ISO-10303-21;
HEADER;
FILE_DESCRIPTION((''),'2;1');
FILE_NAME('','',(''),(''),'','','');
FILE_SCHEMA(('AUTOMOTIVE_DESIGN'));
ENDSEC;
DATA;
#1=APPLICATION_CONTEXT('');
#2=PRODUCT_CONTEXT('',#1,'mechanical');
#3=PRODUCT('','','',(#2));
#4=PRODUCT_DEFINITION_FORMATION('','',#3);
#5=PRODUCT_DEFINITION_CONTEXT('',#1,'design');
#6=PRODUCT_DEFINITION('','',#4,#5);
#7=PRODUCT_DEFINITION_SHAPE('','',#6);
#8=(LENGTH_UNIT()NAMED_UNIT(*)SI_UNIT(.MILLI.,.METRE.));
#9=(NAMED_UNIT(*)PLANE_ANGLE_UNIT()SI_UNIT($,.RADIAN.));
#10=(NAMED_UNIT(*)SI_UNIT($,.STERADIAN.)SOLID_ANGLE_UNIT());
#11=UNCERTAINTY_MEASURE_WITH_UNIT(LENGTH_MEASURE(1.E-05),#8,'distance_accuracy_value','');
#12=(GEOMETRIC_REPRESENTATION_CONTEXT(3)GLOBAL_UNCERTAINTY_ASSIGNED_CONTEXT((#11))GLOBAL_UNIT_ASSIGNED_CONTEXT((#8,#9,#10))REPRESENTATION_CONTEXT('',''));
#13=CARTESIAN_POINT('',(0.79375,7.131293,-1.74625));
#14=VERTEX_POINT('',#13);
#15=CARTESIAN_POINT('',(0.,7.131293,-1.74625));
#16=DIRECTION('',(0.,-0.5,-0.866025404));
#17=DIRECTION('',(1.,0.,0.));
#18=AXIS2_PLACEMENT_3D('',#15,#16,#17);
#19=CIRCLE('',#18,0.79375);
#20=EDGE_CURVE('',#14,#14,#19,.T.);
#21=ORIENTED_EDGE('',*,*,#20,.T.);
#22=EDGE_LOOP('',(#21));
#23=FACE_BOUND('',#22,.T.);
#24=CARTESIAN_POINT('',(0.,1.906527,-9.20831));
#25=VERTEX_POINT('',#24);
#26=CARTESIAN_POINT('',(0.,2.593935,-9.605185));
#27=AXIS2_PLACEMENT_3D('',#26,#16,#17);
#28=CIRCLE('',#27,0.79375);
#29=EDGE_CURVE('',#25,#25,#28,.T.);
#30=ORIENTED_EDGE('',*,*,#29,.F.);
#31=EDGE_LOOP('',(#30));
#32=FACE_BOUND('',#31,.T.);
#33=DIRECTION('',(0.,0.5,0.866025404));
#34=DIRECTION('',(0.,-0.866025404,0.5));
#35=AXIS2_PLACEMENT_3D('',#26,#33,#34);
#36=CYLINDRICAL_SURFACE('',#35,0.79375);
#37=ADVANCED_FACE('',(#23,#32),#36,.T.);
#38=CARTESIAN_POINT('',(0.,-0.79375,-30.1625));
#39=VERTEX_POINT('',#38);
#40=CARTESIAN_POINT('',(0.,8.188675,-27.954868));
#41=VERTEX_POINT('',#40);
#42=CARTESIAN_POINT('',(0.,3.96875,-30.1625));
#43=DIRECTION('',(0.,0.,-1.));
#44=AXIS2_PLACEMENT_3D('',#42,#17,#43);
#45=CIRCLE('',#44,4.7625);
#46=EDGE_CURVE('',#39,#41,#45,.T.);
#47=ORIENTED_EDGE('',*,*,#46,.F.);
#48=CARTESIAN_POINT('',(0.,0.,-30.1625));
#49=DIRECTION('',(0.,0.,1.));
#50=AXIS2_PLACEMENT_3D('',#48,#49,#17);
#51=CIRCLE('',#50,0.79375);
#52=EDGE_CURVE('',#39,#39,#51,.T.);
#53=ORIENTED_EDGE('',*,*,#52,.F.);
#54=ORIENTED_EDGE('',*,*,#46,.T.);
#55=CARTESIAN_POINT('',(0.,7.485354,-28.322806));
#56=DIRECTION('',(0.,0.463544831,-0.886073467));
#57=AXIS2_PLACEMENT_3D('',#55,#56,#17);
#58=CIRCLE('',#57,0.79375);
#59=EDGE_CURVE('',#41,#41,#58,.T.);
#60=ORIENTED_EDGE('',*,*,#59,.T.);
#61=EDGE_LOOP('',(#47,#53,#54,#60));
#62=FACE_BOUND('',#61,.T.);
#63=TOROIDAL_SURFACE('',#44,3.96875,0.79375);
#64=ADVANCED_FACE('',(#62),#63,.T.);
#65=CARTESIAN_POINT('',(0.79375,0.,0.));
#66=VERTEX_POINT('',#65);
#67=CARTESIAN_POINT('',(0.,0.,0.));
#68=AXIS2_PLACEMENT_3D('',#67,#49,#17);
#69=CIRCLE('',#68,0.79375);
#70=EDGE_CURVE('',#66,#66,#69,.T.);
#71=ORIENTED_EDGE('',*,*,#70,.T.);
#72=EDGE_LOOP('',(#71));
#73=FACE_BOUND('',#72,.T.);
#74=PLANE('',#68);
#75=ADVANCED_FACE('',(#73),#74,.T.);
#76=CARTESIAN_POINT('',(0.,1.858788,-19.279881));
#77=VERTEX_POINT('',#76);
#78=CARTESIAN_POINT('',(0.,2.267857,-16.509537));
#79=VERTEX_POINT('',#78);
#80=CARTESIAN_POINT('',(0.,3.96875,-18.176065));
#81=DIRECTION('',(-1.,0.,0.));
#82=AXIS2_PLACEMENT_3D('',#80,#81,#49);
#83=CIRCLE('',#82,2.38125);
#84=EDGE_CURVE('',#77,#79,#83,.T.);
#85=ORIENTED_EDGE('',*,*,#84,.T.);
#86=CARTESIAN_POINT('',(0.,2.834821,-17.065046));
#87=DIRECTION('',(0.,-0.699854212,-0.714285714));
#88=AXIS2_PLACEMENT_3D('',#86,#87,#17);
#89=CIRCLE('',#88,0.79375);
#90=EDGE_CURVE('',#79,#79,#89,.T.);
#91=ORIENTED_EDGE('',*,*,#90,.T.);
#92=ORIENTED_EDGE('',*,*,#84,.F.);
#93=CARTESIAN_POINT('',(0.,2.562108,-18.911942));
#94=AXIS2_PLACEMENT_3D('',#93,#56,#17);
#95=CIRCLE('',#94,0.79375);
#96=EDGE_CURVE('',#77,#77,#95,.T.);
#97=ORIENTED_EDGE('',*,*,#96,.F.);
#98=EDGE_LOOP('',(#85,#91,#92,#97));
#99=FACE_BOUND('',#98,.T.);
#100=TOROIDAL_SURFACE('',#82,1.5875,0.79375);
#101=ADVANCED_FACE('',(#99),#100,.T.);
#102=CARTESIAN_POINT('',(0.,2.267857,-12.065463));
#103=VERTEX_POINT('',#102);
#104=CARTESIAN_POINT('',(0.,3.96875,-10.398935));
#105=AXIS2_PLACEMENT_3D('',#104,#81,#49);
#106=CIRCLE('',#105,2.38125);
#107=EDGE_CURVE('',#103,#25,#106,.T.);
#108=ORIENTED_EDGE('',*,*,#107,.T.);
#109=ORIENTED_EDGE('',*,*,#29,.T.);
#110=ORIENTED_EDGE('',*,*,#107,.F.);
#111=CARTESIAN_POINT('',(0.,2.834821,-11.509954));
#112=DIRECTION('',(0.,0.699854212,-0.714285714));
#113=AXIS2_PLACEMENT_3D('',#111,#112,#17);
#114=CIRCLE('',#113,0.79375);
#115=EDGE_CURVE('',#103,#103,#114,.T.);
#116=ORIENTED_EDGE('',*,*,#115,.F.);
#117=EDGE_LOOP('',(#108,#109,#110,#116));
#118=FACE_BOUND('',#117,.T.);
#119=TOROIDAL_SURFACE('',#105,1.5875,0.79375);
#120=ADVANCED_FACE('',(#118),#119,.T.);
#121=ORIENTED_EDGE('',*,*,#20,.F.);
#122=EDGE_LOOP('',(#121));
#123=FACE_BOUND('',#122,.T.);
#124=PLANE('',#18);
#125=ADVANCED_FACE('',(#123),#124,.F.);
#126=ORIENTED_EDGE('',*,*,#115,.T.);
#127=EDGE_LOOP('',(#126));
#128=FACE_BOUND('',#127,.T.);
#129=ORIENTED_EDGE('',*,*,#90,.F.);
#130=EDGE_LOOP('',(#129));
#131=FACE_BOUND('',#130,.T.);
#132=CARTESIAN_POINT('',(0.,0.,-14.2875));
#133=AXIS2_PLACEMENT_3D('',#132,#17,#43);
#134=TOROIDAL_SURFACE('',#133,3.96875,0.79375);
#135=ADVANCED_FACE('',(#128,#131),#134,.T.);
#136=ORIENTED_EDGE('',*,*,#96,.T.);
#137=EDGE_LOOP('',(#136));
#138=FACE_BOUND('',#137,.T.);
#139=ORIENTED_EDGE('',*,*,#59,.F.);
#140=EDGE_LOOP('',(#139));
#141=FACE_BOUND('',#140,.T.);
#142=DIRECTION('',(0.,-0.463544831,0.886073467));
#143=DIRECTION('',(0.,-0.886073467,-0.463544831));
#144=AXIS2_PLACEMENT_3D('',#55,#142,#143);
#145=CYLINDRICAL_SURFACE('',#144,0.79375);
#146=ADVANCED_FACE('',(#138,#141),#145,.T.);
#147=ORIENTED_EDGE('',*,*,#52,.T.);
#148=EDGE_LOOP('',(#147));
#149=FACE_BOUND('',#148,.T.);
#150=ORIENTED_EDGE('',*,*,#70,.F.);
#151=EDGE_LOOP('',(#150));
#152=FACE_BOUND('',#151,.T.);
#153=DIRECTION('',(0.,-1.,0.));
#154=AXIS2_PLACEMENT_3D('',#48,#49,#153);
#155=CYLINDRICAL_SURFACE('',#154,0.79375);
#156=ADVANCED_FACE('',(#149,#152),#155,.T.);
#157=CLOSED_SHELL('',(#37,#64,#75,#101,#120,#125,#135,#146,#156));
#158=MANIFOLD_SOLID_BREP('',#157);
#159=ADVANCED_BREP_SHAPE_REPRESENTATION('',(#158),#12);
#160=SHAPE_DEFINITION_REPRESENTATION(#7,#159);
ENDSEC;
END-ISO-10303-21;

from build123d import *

# Parameters (mm, degrees)
SKETCH1_R = 0.79375


with BuildPart() as part:
    # Sweep1: sweep along a path in Sketch2
    with BuildLine(Plane(origin=(0, 0, 0), x_dir=(0, 0, -1), z_dir=(1, 0, 0))) as sweep1_path:
        Line((0, 0), (30.1625, 0))
        ThreePointArc((30.1625, 0), (34.016556239, 4.915970709), (28.322806453, 7.485354074))
        Line((28.322806453, 7.485354074), (18.911942386, 2.56210837))
        ThreePointArc((18.911942386, 2.56210837), (17.944168821, 2.398278597), (17.065046405, 2.834821429))
        ThreePointArc((17.065046405, 2.834821429), (14.2875, 3.96875), (11.509953595, 2.834821429))
        ThreePointArc((11.509953595, 2.834821429), (10.598111946, 2.393794506), (9.605185033, 2.593934671))
        Line((9.605185033, 2.593934671), (1.74625, 7.131292929))
    # Sketch1 → Sweep1 (sweep)
    with BuildSketch(Plane.XY):
        Circle(SKETCH1_R)
    sweep(path=sweep1_path.line)


solid = part.part
